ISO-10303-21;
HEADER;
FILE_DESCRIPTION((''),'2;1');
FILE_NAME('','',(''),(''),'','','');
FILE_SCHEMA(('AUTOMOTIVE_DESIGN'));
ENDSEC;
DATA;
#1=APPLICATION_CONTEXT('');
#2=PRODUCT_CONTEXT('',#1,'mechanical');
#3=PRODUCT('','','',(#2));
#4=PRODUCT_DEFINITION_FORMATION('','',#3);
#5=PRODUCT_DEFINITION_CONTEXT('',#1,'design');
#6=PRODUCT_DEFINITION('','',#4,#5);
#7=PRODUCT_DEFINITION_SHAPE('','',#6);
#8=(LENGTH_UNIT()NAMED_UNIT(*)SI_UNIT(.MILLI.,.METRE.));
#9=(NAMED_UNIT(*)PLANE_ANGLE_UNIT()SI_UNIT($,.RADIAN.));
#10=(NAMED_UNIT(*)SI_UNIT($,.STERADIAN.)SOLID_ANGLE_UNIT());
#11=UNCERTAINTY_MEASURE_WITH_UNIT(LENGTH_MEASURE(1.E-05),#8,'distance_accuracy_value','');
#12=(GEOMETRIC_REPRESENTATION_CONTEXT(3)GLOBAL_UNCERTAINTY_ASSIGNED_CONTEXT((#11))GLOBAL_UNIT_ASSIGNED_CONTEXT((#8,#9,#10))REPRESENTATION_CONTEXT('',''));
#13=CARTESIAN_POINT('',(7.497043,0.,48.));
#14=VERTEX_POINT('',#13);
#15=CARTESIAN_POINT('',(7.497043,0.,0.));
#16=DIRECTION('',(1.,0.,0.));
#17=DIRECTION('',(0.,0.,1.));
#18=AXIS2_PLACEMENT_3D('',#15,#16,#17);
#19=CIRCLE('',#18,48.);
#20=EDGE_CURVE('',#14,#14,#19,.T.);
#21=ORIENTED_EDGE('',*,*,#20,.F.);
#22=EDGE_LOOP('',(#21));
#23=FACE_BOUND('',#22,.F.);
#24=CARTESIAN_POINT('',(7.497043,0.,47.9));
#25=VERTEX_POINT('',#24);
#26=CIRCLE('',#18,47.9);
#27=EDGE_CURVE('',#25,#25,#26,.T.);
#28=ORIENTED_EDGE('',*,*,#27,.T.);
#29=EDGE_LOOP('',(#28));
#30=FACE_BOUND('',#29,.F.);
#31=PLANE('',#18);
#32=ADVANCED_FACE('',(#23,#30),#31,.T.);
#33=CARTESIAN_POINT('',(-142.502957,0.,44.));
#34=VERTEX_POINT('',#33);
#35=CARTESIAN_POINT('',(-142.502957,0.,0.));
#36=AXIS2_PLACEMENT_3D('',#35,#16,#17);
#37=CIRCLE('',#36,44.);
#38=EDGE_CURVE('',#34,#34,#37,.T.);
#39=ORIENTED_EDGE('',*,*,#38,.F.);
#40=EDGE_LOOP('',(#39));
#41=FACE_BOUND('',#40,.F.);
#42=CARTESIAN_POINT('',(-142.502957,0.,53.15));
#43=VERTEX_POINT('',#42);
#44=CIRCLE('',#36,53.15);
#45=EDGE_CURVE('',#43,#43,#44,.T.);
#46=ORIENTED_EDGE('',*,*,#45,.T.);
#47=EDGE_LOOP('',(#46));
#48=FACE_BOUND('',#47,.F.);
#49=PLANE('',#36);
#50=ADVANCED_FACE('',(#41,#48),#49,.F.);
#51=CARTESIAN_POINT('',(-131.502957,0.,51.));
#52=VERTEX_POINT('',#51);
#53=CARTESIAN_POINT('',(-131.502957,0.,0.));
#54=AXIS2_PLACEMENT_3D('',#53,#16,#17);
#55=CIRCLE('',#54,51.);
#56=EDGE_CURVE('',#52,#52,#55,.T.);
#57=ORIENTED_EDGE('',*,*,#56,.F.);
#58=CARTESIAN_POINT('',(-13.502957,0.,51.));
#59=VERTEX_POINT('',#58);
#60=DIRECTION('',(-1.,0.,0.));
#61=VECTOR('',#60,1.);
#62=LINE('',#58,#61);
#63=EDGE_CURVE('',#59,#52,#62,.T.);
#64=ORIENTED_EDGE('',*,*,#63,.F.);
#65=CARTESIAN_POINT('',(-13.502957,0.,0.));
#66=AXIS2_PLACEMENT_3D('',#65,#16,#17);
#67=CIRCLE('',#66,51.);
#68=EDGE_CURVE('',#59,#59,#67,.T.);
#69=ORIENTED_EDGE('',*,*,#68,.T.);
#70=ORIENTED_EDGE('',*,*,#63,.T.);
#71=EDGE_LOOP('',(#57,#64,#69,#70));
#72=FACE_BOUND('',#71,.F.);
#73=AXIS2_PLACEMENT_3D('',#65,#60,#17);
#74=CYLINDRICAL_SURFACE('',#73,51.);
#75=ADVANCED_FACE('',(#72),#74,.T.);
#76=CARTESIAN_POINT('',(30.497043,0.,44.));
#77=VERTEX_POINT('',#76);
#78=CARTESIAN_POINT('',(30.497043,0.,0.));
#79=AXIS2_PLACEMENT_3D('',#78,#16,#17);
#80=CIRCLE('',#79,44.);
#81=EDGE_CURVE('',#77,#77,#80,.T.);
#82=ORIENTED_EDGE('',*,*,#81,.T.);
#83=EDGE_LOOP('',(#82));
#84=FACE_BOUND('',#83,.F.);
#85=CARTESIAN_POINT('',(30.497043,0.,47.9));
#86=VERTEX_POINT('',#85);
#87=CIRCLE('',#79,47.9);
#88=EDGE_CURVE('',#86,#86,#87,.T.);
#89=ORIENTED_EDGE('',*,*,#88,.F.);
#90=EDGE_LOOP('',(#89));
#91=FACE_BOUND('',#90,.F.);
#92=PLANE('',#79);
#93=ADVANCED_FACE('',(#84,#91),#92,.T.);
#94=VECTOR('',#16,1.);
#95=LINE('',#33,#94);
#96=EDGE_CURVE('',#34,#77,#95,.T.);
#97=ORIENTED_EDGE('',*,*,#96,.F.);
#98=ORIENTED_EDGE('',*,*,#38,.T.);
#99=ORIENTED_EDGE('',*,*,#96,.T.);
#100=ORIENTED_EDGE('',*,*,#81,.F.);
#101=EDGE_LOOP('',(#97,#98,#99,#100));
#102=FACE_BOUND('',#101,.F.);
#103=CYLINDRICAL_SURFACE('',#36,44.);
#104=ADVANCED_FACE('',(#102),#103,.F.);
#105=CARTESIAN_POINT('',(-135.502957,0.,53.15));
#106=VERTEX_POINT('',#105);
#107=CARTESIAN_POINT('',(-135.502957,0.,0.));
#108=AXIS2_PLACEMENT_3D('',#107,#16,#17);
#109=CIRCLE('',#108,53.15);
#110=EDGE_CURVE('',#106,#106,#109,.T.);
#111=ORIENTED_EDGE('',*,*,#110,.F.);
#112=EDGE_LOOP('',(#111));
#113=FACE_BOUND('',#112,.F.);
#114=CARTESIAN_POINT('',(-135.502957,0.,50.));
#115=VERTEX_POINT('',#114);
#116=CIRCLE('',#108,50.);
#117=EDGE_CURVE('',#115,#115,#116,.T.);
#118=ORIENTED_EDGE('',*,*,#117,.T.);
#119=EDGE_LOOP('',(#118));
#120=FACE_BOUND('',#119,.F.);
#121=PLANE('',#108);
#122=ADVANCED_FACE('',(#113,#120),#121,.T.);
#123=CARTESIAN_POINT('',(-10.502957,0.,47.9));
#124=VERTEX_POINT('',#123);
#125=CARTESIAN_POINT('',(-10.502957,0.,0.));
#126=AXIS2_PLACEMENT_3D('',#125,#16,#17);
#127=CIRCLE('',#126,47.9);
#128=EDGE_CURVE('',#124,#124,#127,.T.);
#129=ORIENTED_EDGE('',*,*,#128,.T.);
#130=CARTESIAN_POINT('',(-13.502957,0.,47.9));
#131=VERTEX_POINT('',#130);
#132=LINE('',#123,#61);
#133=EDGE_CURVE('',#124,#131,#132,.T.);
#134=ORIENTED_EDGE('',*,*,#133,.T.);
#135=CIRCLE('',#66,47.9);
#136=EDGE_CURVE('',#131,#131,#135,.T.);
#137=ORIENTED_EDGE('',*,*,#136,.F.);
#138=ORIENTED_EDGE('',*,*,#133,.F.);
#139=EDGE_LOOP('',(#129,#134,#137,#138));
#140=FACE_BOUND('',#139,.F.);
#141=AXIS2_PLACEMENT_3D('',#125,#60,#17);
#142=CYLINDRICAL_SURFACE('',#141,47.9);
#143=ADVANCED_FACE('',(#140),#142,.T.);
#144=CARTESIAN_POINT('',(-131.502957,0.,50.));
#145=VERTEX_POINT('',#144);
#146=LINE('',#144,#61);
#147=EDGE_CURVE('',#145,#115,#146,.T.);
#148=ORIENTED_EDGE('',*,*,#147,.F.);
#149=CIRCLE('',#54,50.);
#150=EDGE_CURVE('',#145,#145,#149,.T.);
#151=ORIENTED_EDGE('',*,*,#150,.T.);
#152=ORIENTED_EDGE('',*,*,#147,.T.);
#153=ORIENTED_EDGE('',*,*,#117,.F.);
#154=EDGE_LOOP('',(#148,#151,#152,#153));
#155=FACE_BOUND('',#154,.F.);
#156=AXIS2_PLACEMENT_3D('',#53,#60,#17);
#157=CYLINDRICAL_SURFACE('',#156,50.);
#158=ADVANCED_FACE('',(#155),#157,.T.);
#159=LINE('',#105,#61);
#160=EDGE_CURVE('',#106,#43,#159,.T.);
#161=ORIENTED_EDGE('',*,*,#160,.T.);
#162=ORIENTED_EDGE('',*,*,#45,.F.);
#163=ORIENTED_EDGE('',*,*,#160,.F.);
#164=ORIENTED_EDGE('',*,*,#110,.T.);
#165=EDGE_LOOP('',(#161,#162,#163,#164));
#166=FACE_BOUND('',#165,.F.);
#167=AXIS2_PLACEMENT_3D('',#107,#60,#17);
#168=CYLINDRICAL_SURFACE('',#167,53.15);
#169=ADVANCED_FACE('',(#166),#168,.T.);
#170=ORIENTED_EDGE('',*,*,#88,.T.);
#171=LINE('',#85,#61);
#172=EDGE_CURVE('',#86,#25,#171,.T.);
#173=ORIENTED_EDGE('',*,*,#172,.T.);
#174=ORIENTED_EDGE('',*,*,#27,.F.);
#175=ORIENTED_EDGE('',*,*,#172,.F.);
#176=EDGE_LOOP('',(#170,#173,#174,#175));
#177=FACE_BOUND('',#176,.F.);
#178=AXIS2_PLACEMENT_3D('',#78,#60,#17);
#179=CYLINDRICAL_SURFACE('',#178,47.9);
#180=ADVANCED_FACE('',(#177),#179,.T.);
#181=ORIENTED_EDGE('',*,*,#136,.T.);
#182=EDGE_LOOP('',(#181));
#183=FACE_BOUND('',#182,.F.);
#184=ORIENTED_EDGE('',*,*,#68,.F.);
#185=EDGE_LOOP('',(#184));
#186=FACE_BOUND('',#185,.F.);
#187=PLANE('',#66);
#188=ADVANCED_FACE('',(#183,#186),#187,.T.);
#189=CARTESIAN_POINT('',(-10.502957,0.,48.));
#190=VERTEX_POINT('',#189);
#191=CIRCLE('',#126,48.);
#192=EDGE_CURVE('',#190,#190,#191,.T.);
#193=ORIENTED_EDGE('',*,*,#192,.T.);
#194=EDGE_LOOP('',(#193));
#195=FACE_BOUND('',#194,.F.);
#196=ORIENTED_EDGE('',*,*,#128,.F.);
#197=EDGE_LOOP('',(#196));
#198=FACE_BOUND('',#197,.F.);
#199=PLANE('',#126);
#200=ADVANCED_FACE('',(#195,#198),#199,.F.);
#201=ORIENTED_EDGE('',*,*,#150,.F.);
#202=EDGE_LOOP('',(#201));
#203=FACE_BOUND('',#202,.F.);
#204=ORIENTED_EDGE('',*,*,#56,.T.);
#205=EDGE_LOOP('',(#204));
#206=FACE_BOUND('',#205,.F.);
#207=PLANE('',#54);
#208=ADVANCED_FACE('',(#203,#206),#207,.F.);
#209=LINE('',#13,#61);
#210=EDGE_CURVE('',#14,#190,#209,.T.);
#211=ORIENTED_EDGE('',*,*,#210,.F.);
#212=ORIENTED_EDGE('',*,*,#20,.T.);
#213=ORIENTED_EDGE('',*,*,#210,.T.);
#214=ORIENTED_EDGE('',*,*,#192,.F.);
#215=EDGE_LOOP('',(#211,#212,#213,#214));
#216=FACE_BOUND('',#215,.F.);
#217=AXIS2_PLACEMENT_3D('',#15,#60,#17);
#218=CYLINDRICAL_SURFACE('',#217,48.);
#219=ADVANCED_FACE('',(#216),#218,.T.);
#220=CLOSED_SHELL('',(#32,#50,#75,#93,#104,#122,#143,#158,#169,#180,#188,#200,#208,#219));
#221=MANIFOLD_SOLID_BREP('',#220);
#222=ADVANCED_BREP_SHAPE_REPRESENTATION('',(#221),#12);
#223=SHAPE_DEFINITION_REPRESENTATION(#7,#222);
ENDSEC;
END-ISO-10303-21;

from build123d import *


with BuildPart() as f1:
    # F0 (on Front) → F1 (revolve)
    with BuildSketch(Plane.XZ):
        Polygon((-142.502957, 53.15), (-142.502957, 44), (30.497043, 44), (30.497043, 47.9), (7.497043, 47.9), (7.497043, 48), (-10.502957, 48), (-10.502957, 47.9), (-13.502957, 47.9), (-13.502957, 48), (-13.502957, 51), (-131.502957, 51), (-131.502957, 50), (-135.502957, 50), (-135.502957, 53.15), align=None)
    revolve(axis=Axis((-38.690465, 0, 0), (1, 0, 0)))


solid = f1.part
